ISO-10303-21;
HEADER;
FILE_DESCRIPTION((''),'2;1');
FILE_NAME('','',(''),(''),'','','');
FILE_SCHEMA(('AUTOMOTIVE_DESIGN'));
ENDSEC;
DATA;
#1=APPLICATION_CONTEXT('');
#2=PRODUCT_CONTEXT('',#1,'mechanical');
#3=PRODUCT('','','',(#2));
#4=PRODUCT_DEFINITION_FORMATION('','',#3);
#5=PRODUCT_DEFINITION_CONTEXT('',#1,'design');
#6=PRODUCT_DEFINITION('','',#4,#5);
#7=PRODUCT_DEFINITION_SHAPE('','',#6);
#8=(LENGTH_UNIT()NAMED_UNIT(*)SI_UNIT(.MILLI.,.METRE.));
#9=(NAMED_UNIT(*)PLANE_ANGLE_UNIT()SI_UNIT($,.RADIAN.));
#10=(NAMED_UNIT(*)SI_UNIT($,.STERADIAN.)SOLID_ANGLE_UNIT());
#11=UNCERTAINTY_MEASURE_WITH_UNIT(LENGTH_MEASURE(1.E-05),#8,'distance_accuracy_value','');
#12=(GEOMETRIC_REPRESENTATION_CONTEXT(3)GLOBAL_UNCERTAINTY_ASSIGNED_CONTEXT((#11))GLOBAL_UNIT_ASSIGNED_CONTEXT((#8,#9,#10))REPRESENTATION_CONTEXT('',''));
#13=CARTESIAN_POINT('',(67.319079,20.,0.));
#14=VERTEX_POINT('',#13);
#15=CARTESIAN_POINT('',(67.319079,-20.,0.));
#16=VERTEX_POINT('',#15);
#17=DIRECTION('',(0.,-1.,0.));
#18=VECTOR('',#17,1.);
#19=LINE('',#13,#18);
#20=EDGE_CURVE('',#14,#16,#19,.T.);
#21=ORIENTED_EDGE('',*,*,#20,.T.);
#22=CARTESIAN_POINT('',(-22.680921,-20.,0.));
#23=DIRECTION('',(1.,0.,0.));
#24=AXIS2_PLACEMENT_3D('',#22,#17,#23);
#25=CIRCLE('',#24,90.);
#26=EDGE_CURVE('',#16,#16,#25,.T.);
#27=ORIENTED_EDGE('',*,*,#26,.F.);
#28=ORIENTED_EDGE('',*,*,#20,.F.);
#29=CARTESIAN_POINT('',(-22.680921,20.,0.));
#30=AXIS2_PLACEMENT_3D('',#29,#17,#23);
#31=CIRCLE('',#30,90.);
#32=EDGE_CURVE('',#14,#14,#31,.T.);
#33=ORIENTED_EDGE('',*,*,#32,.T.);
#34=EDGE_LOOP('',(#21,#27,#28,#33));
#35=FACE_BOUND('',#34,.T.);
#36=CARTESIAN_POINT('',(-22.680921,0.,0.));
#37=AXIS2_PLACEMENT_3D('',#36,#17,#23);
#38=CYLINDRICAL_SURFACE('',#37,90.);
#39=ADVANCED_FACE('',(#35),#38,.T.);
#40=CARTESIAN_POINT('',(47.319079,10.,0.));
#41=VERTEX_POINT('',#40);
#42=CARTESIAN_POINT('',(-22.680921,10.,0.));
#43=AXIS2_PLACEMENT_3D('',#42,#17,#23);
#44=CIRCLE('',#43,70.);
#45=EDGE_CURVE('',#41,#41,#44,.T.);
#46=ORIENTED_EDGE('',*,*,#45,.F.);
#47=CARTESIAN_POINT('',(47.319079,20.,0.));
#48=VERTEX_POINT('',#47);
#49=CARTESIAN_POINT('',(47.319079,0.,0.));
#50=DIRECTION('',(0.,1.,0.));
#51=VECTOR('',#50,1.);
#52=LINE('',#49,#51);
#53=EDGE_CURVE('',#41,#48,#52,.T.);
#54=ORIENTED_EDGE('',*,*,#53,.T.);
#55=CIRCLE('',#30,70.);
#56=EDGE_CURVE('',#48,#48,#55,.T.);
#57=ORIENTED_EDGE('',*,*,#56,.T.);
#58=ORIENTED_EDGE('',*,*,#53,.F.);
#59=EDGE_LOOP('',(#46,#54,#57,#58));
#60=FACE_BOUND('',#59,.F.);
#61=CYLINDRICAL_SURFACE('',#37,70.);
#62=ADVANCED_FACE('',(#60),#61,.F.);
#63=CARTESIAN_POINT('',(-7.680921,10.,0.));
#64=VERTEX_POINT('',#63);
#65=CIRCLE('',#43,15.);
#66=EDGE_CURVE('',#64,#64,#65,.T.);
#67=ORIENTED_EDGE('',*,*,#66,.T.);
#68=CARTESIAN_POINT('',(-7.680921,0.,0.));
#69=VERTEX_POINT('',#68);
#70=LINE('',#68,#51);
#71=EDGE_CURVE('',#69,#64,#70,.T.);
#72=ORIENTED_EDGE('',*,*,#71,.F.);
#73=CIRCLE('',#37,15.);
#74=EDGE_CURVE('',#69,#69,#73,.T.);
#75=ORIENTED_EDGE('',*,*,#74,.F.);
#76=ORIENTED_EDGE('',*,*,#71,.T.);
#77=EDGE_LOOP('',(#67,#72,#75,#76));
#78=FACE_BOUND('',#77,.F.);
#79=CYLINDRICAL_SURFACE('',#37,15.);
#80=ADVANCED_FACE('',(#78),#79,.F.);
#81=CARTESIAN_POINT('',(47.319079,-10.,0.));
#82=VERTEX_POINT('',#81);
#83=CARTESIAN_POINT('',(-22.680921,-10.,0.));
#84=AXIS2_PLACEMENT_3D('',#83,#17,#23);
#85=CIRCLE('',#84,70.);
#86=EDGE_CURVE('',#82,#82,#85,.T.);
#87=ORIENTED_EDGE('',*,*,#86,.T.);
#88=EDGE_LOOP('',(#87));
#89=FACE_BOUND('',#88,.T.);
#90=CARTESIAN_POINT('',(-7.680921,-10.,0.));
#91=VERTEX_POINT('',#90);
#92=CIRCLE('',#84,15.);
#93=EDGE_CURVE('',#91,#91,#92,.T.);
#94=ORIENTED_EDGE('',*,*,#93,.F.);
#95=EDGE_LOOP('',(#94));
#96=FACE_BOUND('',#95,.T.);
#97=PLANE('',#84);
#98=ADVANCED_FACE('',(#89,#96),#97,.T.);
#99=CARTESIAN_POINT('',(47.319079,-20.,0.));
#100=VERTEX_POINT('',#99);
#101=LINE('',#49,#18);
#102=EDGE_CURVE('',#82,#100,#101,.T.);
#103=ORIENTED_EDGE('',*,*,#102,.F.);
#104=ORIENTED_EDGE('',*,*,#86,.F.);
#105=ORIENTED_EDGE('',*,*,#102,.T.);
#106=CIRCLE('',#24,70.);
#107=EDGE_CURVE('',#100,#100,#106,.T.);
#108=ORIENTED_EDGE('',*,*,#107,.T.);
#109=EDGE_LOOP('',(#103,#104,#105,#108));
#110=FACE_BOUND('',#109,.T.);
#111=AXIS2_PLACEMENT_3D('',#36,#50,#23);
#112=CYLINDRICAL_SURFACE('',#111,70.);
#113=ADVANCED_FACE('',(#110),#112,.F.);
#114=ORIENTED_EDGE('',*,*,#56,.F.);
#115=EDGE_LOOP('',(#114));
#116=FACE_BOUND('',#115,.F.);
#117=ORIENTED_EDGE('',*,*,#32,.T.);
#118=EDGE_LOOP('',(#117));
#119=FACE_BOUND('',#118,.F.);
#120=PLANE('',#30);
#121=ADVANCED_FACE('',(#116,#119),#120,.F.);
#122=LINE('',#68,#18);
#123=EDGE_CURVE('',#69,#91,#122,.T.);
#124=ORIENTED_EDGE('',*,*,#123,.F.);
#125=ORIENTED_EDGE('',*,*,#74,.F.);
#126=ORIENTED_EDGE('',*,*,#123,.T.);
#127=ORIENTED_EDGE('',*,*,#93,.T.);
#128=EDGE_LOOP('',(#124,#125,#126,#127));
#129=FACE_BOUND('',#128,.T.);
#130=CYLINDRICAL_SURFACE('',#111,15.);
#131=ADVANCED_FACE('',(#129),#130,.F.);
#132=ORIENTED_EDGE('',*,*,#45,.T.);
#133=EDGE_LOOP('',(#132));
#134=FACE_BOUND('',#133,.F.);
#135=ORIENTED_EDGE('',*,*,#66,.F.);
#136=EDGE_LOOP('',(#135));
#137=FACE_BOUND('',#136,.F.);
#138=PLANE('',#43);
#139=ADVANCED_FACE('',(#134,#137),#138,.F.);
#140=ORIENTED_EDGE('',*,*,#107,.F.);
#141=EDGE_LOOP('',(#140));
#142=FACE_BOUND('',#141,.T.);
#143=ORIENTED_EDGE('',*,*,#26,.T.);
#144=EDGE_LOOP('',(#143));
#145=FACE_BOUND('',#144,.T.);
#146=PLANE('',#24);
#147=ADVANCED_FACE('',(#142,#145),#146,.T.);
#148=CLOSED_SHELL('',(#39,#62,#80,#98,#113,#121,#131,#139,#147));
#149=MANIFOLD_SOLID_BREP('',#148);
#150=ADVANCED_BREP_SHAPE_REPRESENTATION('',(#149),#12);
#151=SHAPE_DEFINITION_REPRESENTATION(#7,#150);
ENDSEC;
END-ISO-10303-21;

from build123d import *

# Parameters (mm, degrees)
F0_R          = 90
F0_R_2        = 70
F1_DEPTH      = 20
F1_DEPTH_BACK = 20
F0_R_3        = 15
F2_DEPTH      = 10
F2_DEPTH_BACK = 10


with BuildPart() as f1:
    # F0 (on Front) → F1 (new body, two sides)
    with BuildSketch(Plane.XZ) as f1_sk:
        with Locations((-22.680921, 0)):
            Circle(F0_R)
        with Locations((-22.680921, 0)):
            Circle(F0_R_2, mode=Mode.SUBTRACT)
    extrude(amount=F1_DEPTH)
    extrude(f1_sk.sketch, amount=-F1_DEPTH_BACK)

    # F0 (on Front) → F2 (join, two sides)
    with BuildSketch(Plane.XZ) as f2_sk:
        with Locations((-22.680921, 0)):
            Circle(F0_R_2)
        with Locations((-22.680921, 0)):
            Circle(F0_R_3, mode=Mode.SUBTRACT)
    extrude(amount=F2_DEPTH)
    extrude(f2_sk.sketch, amount=-F2_DEPTH_BACK)


solid = f1.part
